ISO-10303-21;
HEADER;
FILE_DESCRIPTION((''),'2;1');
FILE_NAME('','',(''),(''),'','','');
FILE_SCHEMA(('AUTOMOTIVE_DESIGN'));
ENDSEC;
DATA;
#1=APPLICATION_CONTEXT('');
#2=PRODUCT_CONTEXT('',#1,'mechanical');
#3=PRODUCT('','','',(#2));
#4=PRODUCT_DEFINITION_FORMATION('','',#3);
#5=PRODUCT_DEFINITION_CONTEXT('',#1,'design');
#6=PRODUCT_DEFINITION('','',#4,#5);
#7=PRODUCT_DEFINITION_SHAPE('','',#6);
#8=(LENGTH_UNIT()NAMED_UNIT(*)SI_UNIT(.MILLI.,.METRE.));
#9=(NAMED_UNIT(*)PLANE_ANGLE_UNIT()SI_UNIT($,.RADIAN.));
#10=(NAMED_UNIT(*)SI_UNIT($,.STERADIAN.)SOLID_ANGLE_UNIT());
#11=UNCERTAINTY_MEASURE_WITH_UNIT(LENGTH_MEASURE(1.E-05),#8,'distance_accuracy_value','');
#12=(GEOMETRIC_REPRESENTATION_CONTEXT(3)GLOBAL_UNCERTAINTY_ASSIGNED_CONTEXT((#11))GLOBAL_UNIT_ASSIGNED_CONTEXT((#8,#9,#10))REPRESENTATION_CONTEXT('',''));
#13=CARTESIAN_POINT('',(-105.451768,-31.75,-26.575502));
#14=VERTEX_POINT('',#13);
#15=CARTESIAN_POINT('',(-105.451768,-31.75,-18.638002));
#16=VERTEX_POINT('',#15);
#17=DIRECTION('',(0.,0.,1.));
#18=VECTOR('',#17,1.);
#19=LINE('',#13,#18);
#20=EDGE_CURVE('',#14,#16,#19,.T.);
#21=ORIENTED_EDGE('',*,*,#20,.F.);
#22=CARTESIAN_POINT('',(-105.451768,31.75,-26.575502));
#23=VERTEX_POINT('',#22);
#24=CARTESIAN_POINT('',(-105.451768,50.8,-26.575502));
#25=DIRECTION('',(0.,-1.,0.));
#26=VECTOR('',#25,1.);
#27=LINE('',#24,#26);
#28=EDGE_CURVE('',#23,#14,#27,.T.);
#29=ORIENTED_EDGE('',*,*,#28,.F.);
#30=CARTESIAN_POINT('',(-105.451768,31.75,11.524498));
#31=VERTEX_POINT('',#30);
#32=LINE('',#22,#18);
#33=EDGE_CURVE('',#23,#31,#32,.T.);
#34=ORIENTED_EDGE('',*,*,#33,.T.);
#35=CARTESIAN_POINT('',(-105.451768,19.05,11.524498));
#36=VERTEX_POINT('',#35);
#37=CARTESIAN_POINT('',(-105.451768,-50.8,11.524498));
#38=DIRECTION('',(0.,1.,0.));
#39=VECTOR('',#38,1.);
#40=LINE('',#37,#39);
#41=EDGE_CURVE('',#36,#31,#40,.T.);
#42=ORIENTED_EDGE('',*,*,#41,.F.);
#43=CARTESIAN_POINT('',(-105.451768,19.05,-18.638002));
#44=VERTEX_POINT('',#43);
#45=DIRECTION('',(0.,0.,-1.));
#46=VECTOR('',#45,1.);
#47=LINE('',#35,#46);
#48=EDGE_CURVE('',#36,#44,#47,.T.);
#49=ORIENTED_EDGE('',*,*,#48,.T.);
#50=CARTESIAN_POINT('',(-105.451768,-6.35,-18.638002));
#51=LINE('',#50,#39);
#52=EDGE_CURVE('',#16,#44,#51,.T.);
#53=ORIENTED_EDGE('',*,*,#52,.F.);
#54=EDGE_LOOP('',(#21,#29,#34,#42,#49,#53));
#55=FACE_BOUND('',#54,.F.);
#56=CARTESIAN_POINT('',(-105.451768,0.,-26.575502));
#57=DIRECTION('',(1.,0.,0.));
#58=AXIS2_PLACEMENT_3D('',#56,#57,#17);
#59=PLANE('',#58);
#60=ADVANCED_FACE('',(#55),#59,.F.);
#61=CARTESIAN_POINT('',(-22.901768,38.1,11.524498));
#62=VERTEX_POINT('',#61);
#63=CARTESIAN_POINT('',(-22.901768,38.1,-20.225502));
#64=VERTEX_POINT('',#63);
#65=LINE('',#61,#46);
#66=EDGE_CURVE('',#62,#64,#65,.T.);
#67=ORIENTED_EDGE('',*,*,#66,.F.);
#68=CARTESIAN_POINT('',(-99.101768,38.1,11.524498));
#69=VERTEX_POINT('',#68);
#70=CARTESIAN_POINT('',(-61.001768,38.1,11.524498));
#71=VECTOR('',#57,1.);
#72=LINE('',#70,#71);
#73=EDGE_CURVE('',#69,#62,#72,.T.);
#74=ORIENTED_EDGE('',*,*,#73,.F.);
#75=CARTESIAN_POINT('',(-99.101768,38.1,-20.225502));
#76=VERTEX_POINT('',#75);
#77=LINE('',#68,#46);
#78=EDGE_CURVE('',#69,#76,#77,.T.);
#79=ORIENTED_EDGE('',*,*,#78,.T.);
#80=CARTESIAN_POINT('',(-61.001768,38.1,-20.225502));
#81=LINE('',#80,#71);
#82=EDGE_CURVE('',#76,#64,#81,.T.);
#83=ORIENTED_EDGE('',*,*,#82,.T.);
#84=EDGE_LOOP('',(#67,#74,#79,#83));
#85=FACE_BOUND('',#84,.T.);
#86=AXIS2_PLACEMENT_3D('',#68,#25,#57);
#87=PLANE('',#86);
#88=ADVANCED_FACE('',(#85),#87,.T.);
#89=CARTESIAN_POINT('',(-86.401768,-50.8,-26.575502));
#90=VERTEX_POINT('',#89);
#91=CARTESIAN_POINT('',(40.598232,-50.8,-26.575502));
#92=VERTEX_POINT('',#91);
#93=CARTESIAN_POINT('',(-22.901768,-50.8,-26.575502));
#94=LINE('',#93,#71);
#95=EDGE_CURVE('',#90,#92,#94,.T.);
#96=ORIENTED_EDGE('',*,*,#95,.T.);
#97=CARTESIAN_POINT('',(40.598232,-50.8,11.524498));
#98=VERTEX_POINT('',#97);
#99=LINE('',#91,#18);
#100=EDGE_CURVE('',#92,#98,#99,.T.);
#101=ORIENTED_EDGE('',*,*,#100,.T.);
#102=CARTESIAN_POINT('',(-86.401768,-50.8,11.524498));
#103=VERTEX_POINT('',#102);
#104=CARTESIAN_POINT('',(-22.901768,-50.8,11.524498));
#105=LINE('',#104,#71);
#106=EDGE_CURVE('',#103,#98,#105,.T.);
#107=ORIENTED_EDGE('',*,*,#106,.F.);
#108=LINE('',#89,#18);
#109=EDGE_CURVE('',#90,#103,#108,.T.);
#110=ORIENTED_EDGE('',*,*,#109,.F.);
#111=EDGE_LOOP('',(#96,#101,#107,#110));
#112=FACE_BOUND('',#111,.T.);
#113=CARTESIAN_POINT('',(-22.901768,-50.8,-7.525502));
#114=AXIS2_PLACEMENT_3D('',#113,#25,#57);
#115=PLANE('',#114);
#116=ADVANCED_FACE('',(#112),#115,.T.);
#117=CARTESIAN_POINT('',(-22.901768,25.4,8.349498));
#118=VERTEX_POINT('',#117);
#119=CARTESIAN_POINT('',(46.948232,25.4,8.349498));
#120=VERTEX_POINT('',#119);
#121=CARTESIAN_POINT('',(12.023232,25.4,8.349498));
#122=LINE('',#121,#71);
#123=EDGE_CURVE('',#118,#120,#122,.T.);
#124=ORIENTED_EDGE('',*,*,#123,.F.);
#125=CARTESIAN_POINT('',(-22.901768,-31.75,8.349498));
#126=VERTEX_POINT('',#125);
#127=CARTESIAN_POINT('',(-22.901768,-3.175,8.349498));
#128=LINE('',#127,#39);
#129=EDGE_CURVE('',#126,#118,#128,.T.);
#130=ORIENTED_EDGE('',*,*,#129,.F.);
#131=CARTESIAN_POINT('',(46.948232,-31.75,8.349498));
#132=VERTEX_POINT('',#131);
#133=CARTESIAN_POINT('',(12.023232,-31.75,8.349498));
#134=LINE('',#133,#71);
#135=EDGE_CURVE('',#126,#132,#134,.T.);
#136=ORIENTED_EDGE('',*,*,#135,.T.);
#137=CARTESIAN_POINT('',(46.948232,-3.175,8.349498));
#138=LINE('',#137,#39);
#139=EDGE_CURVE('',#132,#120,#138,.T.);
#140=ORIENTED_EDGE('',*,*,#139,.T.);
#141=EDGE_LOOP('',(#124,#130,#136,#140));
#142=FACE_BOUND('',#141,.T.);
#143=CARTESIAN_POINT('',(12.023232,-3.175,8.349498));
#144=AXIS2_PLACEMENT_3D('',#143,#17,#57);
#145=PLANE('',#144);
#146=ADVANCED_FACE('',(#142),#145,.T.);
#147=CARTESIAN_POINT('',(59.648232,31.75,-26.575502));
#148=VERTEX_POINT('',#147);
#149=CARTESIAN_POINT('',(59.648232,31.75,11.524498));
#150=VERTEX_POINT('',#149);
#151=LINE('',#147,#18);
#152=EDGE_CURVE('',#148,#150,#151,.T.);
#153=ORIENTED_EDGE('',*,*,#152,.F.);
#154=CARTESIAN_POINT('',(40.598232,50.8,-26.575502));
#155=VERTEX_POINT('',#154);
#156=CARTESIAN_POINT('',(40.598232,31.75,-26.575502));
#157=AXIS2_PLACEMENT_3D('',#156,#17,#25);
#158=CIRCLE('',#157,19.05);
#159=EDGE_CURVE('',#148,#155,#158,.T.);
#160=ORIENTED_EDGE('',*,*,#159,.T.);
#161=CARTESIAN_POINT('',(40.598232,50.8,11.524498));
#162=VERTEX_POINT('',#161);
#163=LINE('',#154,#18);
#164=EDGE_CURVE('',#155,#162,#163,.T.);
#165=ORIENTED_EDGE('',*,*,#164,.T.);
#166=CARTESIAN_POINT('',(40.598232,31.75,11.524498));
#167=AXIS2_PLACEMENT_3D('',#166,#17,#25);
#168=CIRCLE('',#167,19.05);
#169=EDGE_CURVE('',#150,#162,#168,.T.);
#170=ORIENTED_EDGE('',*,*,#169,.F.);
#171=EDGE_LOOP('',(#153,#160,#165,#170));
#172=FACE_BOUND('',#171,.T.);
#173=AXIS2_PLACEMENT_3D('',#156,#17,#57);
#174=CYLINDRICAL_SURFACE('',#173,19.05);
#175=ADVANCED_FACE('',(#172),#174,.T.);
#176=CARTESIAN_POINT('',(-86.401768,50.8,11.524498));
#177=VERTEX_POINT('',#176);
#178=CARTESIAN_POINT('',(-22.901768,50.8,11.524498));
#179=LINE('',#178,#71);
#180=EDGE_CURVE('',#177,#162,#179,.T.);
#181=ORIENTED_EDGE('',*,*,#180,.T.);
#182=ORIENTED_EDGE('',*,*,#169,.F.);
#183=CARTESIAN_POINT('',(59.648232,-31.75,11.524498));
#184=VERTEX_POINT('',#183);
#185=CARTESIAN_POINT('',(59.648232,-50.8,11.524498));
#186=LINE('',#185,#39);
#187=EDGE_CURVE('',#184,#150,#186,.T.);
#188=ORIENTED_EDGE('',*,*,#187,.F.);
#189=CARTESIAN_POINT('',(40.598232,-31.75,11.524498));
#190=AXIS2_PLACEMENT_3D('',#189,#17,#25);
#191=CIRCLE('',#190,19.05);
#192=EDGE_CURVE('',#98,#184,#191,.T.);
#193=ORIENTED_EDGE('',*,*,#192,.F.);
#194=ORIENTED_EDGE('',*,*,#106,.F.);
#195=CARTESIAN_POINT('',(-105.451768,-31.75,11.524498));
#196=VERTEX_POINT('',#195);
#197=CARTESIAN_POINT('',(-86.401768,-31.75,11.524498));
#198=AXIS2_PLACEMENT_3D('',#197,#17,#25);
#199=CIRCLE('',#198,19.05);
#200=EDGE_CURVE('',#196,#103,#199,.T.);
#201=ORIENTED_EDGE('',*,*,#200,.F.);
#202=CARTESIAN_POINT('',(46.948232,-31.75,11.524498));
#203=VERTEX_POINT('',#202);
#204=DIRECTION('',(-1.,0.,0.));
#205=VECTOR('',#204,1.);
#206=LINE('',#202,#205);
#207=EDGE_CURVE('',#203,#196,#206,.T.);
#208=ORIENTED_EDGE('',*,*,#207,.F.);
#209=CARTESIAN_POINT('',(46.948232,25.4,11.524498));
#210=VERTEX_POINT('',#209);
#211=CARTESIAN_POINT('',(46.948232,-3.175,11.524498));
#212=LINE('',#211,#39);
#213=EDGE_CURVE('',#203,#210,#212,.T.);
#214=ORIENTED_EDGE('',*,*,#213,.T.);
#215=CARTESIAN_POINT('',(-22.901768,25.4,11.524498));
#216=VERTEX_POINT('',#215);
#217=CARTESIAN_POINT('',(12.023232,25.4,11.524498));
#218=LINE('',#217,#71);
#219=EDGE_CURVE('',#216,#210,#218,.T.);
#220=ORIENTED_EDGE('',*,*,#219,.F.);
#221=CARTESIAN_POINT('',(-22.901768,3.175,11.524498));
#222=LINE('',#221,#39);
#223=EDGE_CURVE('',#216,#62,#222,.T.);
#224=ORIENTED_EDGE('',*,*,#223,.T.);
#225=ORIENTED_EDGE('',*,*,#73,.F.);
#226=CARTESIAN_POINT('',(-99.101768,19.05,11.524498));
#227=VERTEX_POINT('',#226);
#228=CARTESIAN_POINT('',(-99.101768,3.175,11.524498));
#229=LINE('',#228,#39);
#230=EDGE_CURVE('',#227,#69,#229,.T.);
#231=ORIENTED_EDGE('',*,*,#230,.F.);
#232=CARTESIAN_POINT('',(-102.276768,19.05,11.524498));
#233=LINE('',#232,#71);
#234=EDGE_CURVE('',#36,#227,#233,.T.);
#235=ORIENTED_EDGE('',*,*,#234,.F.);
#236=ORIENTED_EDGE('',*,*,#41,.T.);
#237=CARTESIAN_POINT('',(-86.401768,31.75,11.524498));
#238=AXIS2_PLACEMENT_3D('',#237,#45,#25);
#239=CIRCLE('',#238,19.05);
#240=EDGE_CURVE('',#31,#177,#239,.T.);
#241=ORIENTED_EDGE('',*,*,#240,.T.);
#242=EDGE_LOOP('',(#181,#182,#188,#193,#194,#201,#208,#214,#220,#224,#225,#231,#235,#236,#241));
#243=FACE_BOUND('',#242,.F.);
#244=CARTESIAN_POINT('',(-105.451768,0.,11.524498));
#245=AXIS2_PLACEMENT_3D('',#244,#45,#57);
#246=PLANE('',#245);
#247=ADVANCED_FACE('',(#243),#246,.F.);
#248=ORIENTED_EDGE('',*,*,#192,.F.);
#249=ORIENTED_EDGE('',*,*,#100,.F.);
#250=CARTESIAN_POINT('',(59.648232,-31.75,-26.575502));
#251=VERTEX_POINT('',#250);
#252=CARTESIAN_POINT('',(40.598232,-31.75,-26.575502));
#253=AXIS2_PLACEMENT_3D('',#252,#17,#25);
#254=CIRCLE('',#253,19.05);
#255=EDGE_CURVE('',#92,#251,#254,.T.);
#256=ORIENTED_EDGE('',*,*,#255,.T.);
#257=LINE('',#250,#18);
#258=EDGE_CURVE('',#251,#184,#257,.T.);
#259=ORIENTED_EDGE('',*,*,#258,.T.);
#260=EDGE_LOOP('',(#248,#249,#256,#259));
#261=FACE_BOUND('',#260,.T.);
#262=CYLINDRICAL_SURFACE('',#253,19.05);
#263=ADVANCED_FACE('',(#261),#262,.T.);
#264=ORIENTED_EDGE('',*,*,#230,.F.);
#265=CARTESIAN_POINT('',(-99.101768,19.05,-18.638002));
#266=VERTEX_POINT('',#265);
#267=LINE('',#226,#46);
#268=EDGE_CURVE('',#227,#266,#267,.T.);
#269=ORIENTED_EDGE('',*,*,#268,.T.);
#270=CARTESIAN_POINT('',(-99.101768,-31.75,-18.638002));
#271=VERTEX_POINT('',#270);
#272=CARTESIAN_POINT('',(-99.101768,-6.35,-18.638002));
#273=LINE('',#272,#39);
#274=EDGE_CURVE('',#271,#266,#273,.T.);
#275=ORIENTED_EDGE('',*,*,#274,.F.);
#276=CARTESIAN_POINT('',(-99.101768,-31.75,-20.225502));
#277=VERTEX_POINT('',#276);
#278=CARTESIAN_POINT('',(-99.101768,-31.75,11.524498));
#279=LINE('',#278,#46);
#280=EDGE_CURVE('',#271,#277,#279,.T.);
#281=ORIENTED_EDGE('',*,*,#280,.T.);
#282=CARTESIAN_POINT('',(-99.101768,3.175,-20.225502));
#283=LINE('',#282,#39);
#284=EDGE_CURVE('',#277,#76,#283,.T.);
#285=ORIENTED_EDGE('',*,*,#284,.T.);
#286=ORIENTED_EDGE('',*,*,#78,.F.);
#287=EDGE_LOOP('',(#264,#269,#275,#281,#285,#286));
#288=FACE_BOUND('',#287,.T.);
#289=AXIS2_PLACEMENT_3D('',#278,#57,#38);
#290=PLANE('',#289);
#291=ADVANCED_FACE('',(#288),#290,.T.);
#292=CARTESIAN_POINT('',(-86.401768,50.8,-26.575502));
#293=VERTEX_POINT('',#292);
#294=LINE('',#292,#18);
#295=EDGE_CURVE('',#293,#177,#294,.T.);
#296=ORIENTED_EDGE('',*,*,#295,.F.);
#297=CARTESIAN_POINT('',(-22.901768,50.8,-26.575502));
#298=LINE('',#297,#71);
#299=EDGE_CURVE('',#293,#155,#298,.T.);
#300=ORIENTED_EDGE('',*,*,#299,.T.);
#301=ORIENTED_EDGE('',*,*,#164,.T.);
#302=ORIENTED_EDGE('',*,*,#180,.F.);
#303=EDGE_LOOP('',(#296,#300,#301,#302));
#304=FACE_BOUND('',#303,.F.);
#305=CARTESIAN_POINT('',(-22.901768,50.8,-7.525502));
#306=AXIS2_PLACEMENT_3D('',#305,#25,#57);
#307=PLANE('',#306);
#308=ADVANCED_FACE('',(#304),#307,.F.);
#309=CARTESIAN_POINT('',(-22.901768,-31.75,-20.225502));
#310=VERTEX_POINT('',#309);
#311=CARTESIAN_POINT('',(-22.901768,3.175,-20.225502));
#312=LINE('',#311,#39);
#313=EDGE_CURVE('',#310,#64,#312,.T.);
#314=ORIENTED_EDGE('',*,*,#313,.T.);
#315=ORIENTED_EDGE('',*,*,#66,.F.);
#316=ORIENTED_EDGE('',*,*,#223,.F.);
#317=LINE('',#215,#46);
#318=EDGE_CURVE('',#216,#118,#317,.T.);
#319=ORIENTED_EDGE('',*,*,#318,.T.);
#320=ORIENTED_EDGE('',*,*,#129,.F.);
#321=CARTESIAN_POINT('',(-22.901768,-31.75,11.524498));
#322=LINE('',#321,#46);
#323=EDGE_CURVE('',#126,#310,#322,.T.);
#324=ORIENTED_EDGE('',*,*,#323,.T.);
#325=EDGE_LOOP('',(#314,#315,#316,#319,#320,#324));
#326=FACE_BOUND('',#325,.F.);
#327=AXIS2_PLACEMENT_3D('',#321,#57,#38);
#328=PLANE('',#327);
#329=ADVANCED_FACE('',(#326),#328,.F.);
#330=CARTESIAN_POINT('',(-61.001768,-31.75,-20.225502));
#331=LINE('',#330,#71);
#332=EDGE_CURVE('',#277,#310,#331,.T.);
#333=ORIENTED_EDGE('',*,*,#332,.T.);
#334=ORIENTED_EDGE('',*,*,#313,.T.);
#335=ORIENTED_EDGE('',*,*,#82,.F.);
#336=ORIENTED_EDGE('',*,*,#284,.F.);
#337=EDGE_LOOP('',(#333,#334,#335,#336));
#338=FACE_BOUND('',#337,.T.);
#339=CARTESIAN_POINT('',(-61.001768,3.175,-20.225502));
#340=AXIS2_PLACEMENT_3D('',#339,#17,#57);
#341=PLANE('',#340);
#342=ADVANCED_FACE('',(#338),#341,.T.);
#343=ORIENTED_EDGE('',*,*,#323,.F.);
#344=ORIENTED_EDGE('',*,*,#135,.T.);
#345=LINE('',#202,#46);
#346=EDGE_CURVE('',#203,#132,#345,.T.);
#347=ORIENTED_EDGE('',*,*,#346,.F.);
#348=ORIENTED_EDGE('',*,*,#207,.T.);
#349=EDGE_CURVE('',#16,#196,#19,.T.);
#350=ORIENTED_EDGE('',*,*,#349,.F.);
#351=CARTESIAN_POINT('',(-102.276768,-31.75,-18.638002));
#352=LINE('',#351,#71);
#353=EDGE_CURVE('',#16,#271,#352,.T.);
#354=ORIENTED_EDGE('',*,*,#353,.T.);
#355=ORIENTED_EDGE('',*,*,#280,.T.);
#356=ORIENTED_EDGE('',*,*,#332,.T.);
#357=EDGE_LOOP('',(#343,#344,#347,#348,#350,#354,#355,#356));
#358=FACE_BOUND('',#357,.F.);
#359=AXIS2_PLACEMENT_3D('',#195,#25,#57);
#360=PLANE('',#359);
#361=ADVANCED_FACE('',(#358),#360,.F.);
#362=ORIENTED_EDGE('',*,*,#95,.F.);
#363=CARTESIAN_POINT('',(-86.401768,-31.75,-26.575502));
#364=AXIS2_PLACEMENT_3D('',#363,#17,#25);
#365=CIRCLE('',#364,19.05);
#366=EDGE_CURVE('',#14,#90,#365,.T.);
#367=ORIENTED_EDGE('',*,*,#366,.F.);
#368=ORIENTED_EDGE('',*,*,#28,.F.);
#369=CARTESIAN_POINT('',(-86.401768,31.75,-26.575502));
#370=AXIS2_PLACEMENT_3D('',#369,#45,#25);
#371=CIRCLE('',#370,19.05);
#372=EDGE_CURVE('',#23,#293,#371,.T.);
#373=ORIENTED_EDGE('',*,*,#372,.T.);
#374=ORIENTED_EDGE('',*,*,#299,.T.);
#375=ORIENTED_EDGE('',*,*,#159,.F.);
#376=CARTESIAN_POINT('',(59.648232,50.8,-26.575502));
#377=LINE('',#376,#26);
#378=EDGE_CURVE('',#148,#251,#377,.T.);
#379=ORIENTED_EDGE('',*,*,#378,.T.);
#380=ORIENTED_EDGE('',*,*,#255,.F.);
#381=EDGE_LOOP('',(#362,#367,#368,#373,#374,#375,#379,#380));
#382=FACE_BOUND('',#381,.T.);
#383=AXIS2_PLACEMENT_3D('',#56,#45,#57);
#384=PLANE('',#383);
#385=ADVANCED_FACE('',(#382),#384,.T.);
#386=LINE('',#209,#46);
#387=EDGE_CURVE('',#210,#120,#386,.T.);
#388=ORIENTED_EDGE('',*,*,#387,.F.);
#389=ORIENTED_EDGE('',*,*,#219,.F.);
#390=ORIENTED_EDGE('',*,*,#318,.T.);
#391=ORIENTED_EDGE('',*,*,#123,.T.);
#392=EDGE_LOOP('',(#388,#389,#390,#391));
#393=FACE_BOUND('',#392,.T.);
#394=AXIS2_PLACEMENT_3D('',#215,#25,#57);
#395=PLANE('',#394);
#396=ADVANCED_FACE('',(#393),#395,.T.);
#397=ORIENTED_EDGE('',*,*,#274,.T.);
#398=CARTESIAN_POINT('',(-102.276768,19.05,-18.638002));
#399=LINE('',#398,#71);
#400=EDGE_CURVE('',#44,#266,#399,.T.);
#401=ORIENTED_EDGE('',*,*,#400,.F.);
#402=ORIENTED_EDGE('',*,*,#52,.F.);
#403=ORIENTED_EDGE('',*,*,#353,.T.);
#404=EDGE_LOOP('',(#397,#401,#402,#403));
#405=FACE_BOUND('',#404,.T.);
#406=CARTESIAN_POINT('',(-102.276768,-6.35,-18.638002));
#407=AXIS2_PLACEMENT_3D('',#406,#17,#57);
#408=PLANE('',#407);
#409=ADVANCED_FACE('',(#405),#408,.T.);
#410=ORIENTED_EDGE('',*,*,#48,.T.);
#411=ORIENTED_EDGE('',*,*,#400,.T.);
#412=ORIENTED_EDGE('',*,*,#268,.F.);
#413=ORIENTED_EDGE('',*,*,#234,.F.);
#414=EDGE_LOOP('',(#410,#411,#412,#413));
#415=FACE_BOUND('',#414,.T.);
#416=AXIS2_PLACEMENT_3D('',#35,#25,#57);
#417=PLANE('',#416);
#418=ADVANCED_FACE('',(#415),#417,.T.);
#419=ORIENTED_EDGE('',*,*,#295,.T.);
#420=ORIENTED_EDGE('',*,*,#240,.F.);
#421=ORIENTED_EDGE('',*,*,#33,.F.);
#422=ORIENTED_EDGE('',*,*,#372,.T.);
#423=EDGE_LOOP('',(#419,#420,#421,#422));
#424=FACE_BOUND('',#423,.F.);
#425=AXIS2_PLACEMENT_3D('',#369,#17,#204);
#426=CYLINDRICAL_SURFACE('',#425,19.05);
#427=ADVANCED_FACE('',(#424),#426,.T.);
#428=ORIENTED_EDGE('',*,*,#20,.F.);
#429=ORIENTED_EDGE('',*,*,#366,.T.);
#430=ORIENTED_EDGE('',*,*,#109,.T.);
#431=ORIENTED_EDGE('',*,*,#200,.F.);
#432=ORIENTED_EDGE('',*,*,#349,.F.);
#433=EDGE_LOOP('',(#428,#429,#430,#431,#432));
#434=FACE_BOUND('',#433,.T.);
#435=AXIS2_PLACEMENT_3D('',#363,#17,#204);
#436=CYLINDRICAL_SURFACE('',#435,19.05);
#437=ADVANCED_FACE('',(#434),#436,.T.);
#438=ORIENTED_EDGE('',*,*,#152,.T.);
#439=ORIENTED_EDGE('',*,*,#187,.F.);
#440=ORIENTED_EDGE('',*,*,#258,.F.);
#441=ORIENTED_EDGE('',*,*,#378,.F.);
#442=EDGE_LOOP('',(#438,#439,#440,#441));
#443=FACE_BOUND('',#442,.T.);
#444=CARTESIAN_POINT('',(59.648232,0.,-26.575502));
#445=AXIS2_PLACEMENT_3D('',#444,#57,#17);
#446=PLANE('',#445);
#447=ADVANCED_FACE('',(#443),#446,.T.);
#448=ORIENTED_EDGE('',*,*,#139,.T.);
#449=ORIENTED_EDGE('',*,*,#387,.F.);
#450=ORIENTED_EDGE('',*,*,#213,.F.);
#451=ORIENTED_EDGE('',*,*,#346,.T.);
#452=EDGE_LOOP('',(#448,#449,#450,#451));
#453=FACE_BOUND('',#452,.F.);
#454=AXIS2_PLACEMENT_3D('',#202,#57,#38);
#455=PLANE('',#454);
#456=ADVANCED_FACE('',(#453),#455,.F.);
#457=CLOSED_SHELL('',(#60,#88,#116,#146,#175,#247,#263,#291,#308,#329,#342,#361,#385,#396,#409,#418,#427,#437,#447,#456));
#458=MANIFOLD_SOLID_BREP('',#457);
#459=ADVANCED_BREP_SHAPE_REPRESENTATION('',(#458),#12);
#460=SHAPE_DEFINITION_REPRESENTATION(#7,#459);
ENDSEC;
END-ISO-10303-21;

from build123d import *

# Parameters (mm, degrees)
F0_W     = 165.1
F0_H     = 38.1
F1_DEPTH = 50.8
F2_W     = 76.2
F2_H     = 69.85
F3_DEPTH = 31.75
F5_W     = 6.35
F5_H     = 50.8
F6_DEPTH = 30.1625
F7_W     = 69.85
F7_H     = 57.15
F8_DEPTH = 3.175
F9_R     = 19.05
F10_R    = 19.05
F11_R    = 19.05


with BuildPart() as f1:
    # F0 (on Front) → F1 (new body, symmetric)
    with BuildSketch(Plane.XZ):
        with Locations((-22.901768, -7.525502)):
            Rectangle(F0_W, F0_H)
    extrude(amount=F1_DEPTH, both=True)

    # F2 (on face) → F3 (cut)
    with BuildSketch(Plane.XY.offset(11.524498)):
        with Locations((-61.001768, 3.175)):
            Rectangle(F2_W, F2_H)
    extrude(amount=-F3_DEPTH, mode=Mode.SUBTRACT)

    # F5 (on face) → F6 (cut)
    with BuildSketch(Plane.XY.offset(11.524498)):
        with Locations((-102.276768, -6.35)):
            Rectangle(F5_W, F5_H)
    extrude(amount=-F6_DEPTH, mode=Mode.SUBTRACT)

    # F7 (on face) → F8 (cut)
    with BuildSketch(Plane.XY.offset(11.524498)):
        with Locations((12.023232, -3.175)):
            Rectangle(F7_W, F7_H)
    extrude(amount=-F8_DEPTH, mode=Mode.SUBTRACT)

    # F9
    f9_edges = [f1.edges().sort_by_distance(p)[0] for p in [
        (-105.451768, -50.8, -7.525502),
    ]]
    fillet(f9_edges, radius=F9_R)

    # F10
    f10_edges = [f1.edges().sort_by_distance(p)[0] for p in [
        (59.648232, -50.8, -7.525502),
    ]]
    fillet(f10_edges, radius=F10_R)

    # F11
    f11_edges = [f1.edges().sort_by_distance(p)[0] for p in [
        (59.648232, 50.8, -7.525502),
        (-105.451768, 50.8, -7.525502),
    ]]
    fillet(f11_edges, radius=F11_R)


solid = f1.part
